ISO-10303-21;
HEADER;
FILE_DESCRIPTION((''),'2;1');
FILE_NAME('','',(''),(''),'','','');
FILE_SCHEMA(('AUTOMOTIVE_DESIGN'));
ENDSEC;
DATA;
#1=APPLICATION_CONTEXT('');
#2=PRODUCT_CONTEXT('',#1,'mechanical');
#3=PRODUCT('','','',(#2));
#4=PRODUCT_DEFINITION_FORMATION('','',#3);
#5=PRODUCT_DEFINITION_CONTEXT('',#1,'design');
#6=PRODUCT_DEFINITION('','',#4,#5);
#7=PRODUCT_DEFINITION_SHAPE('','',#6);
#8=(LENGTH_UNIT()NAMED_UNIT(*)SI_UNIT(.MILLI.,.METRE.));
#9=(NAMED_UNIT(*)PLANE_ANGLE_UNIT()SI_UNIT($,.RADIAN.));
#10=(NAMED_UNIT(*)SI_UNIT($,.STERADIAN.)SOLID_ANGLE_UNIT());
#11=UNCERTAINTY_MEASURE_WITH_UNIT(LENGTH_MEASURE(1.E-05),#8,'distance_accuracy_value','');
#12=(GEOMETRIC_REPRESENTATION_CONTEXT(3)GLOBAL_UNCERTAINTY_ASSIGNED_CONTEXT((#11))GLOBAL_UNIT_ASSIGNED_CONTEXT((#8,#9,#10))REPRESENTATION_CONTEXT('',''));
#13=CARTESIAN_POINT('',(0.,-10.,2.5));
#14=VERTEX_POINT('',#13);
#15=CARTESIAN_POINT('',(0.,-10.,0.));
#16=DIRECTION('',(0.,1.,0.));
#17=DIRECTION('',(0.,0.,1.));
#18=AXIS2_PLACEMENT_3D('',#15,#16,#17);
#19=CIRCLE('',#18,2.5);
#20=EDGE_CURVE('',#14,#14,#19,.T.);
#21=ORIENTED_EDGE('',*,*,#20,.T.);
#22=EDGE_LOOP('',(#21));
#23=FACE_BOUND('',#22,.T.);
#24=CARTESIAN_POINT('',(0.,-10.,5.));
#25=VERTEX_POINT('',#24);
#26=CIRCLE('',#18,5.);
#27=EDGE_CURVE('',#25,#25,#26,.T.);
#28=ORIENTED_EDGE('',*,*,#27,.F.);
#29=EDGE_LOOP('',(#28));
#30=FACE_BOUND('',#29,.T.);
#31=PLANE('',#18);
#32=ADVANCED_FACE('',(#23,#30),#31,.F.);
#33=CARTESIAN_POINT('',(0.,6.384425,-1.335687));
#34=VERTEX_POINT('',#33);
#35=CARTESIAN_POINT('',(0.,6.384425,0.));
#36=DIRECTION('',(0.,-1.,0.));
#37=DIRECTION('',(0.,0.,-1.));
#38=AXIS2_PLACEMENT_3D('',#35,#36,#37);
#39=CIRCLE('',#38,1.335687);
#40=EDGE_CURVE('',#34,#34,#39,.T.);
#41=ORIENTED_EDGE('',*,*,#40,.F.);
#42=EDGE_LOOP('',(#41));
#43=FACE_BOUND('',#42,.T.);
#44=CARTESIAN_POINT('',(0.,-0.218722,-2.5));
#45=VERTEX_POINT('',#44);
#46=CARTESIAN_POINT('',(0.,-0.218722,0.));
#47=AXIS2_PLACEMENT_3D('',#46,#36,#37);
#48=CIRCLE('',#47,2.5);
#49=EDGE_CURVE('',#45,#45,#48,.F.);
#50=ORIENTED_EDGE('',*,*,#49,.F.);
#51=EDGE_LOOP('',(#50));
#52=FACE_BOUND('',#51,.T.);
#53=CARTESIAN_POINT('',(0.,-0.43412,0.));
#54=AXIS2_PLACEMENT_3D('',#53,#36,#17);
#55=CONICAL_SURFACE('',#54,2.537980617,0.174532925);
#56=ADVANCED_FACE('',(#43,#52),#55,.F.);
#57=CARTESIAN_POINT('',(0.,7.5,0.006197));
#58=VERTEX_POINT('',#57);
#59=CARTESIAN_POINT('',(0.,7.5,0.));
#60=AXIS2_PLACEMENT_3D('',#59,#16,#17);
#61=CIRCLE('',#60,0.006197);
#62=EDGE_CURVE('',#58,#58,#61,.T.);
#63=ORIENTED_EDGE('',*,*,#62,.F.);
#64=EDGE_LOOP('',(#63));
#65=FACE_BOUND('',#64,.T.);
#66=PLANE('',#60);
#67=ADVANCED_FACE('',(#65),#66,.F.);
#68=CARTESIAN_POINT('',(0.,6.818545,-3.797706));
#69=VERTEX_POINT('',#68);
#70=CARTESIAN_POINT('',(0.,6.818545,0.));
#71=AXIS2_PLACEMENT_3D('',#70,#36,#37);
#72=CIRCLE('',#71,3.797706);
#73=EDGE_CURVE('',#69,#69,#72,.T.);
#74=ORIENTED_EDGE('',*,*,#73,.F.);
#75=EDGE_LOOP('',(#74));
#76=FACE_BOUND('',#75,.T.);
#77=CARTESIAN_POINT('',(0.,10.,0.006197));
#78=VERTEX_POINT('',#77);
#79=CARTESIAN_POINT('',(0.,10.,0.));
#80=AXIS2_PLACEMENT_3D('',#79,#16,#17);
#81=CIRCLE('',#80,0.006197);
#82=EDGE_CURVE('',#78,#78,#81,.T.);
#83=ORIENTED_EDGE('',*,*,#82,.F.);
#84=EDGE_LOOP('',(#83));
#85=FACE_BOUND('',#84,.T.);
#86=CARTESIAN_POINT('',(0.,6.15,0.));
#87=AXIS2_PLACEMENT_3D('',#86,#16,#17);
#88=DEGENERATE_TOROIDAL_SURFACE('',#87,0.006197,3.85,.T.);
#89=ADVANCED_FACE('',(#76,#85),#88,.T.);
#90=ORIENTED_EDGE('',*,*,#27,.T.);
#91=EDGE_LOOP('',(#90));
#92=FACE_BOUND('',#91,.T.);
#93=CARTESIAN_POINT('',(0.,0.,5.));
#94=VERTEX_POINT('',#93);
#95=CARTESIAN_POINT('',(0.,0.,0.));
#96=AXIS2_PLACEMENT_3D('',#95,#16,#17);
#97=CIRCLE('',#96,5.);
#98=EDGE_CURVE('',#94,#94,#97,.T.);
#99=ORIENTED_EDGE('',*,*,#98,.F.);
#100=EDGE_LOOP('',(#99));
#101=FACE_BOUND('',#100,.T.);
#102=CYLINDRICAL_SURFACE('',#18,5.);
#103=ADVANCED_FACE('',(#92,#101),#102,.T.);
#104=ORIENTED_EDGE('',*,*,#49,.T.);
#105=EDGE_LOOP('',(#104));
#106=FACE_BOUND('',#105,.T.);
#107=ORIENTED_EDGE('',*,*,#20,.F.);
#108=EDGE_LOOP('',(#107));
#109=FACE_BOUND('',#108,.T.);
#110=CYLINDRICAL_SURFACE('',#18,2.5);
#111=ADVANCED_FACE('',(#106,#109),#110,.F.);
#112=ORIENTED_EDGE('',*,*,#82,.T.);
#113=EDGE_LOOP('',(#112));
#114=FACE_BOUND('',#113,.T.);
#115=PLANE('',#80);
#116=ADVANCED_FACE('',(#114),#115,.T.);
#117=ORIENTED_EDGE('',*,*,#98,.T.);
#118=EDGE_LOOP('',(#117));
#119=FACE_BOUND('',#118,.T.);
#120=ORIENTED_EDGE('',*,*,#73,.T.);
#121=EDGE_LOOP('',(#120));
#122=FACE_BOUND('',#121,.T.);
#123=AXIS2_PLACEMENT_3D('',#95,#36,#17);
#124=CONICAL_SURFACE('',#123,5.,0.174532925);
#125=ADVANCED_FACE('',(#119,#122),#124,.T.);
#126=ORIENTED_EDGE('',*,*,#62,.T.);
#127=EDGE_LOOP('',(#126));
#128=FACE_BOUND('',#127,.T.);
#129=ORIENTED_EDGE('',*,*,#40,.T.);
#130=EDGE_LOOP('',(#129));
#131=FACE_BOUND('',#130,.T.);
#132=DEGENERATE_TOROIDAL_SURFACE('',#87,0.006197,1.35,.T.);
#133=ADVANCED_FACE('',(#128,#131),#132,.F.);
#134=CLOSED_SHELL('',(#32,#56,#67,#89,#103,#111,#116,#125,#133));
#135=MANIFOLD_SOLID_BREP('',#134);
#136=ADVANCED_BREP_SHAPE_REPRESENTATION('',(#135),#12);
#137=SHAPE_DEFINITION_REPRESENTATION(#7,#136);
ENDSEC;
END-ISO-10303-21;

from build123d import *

# Parameters (mm, degrees)
SKETCH1_R                     = 5
BOSS_EXTRUDE1_DEPTH           = 10
BOSS_EXTRUDE1_OTHER_WAY_DEPTH = 10
BOSS_EXTRUDE1_OTHER_WAY_TAPER = 10
FILLET1_R                     = 3.85
SHELL1_T                      = -2.5


with BuildPart() as part:
    # Sketch1 → Boss-Extrude1 (new body)
    with BuildSketch(Plane(origin=(0, 0, 0), x_dir=(1, 0, 0), z_dir=(0, 1, 0))):
        with Locations(Location((0, 0, 0), (0, 0, 270))):
            Circle(SKETCH1_R)
    extrude(amount=-BOSS_EXTRUDE1_DEPTH)

    # Sketch1 → Boss-Extrude1 other way (add)
    with BuildSketch(Plane(origin=(0, 0, 0), x_dir=(1, 0, 0), z_dir=(0, 1, 0))):
        with Locations(Location((0, 0, 0), (0, 0, 270))):
            Circle(SKETCH1_R)
    extrude(amount=BOSS_EXTRUDE1_OTHER_WAY_DEPTH, taper=BOSS_EXTRUDE1_OTHER_WAY_TAPER)

    # Fillet1
    fillet1_edges = [part.edges().sort_by_distance(p)[0] for p in [
        (0, 10, -3.236730193),
    ]]
    fillet(fillet1_edges, radius=FILLET1_R)

    # Shell1
    shell1_openings = [part.faces().sort_by_distance(p)[0] for p in [
        (0, -10, 0),
    ]]
    offset(amount=SHELL1_T, openings=shell1_openings, kind=Kind.INTERSECTION)


solid = part.part
